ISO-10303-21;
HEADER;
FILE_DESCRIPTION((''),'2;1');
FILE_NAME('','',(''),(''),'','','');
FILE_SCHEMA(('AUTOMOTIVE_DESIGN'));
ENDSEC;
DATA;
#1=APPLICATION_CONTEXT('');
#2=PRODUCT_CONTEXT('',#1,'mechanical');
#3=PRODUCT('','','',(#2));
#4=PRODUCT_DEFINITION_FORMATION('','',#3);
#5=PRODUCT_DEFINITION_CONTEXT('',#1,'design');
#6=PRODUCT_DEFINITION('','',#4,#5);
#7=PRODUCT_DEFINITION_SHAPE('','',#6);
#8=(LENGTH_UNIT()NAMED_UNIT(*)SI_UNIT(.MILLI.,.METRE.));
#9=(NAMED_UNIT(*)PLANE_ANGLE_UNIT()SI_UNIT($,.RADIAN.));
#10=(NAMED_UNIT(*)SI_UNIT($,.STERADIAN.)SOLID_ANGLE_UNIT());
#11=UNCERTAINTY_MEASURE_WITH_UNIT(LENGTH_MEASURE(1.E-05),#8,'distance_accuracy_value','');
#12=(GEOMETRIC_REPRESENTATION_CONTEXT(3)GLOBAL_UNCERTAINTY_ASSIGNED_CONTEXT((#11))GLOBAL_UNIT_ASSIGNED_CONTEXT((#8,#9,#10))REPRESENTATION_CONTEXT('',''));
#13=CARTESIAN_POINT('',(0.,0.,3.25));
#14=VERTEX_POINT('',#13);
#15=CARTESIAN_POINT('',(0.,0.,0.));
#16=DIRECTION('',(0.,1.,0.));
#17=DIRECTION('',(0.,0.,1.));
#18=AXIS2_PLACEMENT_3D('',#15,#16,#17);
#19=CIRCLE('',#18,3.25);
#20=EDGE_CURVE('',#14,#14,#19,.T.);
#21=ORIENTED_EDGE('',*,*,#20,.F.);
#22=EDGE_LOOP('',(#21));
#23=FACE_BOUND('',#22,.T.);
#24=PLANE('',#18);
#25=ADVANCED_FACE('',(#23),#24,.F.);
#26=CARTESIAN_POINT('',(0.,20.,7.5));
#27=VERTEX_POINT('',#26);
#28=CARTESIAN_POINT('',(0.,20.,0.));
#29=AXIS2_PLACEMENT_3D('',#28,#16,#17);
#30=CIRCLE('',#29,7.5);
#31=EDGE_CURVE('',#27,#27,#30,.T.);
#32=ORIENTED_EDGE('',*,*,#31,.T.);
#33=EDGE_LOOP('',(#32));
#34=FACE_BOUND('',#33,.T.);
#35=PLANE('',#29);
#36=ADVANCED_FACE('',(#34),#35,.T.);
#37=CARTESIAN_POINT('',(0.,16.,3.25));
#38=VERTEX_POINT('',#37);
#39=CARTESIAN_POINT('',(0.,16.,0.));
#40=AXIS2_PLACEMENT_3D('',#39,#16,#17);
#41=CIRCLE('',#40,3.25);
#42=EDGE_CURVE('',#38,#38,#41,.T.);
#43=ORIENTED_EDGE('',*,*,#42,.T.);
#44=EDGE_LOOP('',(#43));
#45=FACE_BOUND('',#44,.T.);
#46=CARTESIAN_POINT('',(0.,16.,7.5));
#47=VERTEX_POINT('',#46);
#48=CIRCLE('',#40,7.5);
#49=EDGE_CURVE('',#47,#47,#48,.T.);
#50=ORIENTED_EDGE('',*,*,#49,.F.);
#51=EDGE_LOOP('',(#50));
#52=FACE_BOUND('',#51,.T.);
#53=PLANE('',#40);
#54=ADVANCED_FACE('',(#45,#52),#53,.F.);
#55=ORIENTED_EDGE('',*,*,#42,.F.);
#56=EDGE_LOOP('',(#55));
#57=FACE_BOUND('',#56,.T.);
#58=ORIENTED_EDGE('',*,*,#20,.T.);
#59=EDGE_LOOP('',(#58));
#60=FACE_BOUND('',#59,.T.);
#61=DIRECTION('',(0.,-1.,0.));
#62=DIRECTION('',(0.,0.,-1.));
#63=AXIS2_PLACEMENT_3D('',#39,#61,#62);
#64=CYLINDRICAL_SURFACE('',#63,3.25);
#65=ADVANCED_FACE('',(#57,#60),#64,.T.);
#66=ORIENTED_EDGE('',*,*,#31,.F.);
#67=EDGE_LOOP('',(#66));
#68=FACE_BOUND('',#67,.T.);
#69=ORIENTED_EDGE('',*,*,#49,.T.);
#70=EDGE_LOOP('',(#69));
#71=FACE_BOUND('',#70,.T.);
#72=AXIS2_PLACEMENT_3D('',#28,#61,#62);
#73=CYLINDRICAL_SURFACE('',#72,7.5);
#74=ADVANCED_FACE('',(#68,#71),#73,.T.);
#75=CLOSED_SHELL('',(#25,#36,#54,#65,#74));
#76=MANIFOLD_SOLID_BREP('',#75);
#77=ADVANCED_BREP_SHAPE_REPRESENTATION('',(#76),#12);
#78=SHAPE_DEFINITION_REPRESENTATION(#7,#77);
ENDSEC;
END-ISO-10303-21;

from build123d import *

# Parameters (mm, degrees)
SKETCH_1_R      = 3.25
EXTRUDE_1_DEPTH = 16
SKETCH_2_R      = 7.5
EXTRUDE_2_DEPTH = 4


with BuildPart() as part:
    # Эскиз1 → Бобышка-Вытянуть1 (new body)
    with BuildSketch(Plane(origin=(0, 0, 0), x_dir=(1, 0, 0), z_dir=(0, 1, 0))):
        Circle(SKETCH_1_R)
    extrude(amount=EXTRUDE_1_DEPTH)

    # Эскиз2 → Бобышка-Вытянуть2 (add)
    with BuildSketch(Plane(origin=(0, 16, 0), x_dir=(1, 0, 0), z_dir=(0, 1, 0))):
        Circle(SKETCH_2_R)
    extrude(amount=EXTRUDE_2_DEPTH)


solid = part.part
